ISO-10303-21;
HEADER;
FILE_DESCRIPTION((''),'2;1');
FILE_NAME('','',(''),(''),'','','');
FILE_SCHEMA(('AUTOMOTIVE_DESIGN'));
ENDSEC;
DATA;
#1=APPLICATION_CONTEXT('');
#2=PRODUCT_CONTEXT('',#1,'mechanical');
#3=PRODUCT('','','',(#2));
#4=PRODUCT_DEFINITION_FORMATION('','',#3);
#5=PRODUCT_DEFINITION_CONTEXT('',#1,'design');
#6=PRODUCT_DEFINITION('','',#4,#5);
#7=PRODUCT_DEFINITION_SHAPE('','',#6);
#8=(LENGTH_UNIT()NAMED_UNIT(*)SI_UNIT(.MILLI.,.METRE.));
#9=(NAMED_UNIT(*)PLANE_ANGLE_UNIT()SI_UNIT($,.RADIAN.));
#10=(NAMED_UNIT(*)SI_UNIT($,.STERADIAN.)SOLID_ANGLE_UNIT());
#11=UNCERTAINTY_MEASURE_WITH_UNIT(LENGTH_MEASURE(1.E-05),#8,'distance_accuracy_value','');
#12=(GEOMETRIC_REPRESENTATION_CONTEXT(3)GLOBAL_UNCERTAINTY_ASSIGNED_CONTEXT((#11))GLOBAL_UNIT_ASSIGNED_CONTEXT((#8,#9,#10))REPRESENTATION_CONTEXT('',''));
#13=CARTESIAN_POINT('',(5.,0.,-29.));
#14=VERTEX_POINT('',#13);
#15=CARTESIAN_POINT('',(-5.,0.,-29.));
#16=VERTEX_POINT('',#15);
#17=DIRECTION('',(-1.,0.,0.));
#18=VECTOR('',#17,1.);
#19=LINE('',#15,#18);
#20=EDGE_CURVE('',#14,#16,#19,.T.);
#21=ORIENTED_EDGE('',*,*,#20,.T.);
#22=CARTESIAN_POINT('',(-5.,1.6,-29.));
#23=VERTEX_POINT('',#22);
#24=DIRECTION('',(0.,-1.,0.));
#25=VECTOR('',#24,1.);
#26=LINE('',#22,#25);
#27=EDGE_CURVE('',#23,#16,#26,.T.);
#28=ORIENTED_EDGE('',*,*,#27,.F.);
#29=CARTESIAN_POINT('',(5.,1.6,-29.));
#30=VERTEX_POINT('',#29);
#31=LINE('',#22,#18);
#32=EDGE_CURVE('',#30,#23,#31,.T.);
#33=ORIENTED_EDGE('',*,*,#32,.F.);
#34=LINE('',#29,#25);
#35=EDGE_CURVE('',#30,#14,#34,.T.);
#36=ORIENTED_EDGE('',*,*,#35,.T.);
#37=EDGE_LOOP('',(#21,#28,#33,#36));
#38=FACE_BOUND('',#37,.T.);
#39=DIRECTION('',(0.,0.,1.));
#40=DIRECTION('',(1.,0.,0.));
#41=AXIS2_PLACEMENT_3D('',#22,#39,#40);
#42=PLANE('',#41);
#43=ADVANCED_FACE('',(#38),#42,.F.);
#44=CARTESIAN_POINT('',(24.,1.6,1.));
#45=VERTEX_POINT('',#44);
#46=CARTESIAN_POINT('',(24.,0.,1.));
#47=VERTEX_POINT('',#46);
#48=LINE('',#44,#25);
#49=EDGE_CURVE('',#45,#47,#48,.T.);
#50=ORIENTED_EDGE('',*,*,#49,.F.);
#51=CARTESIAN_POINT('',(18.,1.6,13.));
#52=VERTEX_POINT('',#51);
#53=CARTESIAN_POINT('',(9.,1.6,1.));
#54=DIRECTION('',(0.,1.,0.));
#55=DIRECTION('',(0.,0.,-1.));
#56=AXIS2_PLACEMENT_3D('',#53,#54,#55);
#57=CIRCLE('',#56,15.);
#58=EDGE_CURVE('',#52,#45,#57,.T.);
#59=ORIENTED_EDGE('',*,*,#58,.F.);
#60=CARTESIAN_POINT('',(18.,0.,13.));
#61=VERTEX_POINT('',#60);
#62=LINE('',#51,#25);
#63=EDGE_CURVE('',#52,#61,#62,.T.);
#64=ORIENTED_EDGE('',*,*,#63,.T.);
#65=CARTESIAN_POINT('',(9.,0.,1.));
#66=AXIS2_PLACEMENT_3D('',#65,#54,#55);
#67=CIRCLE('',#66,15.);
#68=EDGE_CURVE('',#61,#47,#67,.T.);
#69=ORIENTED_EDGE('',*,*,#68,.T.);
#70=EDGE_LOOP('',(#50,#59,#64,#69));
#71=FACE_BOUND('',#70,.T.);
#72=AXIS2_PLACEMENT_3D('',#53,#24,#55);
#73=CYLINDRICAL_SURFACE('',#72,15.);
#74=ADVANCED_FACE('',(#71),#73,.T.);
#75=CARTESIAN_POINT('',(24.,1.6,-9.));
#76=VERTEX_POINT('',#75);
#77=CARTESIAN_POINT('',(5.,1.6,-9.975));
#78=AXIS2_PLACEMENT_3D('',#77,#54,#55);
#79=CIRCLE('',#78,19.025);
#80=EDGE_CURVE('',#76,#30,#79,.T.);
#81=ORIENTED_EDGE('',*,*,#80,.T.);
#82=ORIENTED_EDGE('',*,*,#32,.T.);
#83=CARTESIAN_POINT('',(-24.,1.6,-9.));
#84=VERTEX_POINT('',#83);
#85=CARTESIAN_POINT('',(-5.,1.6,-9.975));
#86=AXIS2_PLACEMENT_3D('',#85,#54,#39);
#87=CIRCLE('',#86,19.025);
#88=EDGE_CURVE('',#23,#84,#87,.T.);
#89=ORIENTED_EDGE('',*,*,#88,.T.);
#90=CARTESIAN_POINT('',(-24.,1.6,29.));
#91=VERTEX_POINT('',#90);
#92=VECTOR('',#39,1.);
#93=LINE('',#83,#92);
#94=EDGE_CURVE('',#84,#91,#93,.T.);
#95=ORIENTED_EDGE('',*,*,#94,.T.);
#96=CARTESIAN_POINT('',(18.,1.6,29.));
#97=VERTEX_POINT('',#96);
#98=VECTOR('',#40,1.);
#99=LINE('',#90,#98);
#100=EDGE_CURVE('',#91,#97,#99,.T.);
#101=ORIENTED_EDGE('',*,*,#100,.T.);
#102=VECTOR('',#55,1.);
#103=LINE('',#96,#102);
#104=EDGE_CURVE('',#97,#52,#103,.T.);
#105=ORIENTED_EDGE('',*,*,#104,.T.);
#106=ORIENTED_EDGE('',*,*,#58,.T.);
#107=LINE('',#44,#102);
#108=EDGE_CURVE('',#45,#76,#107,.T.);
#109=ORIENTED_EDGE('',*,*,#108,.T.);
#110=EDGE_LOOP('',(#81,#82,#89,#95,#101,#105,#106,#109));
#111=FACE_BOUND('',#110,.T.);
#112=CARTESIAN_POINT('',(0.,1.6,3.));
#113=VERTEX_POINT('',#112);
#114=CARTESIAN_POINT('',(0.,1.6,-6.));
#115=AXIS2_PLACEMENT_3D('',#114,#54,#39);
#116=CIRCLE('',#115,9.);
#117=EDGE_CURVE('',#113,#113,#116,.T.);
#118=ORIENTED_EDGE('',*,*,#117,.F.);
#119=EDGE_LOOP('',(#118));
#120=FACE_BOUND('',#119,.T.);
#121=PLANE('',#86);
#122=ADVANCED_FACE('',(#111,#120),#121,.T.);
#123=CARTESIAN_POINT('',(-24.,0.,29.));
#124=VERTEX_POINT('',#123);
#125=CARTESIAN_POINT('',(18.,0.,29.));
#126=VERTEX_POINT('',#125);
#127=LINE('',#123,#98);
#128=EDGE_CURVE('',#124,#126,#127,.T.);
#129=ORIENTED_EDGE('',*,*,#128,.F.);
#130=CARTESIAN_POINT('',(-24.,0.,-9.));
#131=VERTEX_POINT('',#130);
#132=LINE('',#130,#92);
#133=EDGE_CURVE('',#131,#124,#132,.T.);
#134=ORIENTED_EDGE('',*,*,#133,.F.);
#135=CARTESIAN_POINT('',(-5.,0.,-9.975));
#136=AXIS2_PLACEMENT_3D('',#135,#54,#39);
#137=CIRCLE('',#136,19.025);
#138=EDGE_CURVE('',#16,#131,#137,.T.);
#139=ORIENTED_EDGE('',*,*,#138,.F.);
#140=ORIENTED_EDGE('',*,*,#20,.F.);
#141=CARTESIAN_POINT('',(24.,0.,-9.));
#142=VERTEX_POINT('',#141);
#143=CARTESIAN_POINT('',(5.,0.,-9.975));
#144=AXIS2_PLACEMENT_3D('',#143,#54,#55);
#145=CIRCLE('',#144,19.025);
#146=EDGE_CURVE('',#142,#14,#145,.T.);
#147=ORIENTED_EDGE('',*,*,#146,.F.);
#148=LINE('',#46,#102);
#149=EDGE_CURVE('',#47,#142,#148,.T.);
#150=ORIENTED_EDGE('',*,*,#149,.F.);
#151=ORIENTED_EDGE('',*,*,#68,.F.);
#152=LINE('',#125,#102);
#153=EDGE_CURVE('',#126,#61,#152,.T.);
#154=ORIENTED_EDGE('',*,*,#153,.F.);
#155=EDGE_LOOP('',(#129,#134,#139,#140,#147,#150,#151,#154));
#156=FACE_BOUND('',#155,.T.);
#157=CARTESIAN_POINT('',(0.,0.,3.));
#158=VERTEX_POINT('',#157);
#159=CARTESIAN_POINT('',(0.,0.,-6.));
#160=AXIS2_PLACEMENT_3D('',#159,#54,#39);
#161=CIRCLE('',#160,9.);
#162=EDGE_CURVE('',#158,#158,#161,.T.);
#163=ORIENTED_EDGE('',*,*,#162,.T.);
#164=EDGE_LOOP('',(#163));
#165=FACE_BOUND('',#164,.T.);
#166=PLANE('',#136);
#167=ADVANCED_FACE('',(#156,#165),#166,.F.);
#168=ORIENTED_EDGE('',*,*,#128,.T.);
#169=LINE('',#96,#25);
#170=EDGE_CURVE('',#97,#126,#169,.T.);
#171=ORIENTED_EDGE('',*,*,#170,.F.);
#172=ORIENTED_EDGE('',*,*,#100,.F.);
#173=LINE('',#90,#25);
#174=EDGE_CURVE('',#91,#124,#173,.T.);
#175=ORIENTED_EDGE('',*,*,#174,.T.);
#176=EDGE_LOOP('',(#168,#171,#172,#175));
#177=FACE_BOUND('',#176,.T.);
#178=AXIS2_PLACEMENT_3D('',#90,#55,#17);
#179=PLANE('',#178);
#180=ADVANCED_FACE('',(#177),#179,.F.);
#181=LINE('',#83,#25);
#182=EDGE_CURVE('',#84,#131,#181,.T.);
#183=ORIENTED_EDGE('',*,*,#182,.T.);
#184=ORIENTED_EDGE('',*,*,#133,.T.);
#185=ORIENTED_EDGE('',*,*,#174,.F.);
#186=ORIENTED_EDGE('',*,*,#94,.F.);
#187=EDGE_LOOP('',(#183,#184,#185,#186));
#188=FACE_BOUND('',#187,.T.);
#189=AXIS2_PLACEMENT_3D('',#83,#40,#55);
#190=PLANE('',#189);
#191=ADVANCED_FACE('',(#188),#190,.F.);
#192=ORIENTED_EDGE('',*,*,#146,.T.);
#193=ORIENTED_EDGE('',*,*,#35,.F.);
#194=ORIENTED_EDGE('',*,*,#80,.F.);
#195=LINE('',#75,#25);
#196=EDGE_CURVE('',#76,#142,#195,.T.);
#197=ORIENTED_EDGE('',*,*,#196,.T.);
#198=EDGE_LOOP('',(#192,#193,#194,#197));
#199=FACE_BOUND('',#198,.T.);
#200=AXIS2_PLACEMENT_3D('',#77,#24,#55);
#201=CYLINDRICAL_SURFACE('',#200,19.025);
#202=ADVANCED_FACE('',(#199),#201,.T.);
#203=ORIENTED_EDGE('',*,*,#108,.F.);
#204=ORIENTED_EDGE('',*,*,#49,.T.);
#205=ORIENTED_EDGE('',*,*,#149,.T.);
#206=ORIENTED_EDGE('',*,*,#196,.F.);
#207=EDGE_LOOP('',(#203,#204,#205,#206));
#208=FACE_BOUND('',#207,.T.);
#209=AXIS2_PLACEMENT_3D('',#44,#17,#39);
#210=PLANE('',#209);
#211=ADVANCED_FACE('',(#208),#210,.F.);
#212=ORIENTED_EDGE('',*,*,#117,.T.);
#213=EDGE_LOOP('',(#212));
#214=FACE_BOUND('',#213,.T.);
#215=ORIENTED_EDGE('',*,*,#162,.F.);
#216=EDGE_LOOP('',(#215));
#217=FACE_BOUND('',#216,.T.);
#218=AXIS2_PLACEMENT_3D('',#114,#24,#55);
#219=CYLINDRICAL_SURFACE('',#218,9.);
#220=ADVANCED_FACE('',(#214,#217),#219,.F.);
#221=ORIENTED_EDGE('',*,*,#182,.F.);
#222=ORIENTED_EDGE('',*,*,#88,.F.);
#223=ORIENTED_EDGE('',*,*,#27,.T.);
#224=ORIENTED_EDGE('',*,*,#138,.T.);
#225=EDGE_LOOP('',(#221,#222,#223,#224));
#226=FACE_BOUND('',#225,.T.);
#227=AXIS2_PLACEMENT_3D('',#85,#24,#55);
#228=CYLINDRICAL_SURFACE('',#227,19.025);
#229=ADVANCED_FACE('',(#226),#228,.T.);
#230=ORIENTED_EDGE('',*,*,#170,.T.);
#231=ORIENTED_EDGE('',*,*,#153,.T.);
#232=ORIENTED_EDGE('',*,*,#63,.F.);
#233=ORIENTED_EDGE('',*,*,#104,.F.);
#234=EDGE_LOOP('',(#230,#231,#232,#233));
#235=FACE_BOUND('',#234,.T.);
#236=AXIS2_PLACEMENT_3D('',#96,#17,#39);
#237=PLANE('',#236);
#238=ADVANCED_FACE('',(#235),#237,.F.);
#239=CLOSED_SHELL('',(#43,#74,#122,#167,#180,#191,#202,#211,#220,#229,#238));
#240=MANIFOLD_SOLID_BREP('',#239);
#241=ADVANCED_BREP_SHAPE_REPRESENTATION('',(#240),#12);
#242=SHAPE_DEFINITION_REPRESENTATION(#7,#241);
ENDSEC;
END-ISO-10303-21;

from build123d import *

# Parameters (mm, degrees)
ESQUISSE1_R      = 9
EXTRUSION1_DEPTH = 1.6


with BuildPart() as part:
    # Esquisse1 → Extrusion1 (new body)
    with BuildSketch(Plane(origin=(0, 0, 0), x_dir=(1, 0, 0), z_dir=(0, 1, 0))):
        with BuildLine():
            Line((-24, 9), (-24, -29))
            Line((-24, -29), (18, -29))
            Line((18, -29), (18, -13))
            ThreePointArc((18, -13), (22.416407865, -7.708203932), (24, -1))
            Line((24, -1), (24, 9))
            ThreePointArc((24, 9), (18.793114224, 23.078458513), (5, 29))
            Line((5, 29), (-5, 29))
            ThreePointArc((-5, 29), (-18.793114224, 23.078458513), (-24, 9))
        make_face()
        with Locations(Location((0, 6, 0), (0, 0, 270))):
            Circle(ESQUISSE1_R, mode=Mode.SUBTRACT)
    extrude(amount=EXTRUSION1_DEPTH)


solid = part.part
